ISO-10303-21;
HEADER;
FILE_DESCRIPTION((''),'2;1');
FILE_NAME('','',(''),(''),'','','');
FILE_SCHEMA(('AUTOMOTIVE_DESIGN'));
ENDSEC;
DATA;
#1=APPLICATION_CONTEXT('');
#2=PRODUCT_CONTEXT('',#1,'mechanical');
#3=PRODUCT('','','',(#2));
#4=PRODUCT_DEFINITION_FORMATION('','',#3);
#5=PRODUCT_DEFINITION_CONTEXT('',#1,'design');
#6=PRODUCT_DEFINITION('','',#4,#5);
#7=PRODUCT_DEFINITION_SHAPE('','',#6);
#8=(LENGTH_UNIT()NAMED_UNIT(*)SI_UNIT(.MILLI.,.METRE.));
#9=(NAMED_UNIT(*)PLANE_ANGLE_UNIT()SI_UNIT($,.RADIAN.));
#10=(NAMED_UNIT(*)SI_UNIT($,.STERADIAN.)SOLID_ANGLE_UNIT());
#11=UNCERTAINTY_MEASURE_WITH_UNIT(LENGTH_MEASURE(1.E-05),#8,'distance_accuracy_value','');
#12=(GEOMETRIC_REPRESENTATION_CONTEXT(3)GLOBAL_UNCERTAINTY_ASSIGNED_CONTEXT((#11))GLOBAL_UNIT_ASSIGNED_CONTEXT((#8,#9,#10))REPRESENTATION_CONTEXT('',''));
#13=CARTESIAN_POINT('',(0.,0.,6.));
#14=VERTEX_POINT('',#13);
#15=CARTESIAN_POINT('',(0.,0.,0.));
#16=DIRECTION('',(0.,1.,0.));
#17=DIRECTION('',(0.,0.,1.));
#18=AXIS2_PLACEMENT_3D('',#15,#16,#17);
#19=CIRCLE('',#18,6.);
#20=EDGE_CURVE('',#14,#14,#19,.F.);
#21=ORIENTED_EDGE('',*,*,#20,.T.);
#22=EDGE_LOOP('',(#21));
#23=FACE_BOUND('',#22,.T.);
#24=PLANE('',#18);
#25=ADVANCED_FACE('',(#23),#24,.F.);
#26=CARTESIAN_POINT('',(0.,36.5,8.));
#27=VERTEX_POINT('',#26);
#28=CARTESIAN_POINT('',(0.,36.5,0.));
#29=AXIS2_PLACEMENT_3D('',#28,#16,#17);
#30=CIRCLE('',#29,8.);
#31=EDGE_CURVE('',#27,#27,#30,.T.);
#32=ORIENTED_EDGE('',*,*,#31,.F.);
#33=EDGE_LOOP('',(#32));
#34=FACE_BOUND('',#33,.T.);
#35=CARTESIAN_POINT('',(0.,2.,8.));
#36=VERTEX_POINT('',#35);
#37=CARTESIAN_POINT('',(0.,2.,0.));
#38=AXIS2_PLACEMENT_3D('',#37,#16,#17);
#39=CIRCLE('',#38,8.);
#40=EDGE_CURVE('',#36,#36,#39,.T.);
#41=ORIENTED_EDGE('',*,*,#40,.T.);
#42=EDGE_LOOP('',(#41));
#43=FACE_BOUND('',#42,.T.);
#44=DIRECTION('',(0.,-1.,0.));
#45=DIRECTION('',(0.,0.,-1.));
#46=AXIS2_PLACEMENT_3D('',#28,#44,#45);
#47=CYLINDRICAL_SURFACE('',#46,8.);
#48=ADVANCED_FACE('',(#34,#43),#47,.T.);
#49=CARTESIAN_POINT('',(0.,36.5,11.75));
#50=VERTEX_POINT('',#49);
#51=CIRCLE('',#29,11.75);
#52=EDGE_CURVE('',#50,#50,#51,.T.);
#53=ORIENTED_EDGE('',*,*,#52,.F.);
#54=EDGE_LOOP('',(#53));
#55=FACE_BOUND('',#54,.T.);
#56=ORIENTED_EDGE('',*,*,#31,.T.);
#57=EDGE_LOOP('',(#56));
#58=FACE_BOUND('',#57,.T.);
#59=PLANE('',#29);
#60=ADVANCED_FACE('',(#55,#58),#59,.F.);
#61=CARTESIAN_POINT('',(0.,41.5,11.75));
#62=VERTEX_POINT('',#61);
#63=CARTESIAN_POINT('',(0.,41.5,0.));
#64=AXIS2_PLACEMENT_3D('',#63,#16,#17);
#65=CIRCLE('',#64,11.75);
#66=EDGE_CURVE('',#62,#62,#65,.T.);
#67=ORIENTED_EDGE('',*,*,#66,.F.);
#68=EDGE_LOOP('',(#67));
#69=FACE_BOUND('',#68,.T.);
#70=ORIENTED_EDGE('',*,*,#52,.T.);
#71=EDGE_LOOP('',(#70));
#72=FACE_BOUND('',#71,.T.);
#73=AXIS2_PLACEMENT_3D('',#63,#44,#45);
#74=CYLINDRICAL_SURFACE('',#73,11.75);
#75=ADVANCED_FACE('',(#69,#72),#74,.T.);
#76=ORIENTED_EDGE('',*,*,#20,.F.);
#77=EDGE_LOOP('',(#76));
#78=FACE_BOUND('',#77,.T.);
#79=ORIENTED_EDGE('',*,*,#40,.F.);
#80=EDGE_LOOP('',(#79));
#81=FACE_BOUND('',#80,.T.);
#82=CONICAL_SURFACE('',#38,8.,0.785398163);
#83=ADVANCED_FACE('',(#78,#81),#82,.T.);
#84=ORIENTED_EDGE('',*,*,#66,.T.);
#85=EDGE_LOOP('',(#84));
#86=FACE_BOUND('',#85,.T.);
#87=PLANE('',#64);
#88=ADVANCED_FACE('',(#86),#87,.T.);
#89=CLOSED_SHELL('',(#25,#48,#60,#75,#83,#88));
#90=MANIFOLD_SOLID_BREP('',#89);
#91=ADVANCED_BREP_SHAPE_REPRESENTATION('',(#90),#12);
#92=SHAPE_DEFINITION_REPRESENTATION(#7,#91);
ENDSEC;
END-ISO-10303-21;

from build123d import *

# Parameters (mm, degrees)
SKETCH1_R           = 8
BOSS_EXTRUDE1_DEPTH = 36.5
CHAMFER1_SIZE       = 2
SKETCH2_R           = 11.75
BOSS_EXTRUDE2_DEPTH = 5


with BuildPart() as part:
    # Sketch1 → Boss-Extrude1 (new body)
    with BuildSketch(Plane(origin=(0, 0, 0), x_dir=(1, 0, 0), z_dir=(0, 1, 0))):
        Circle(SKETCH1_R)
    extrude(amount=BOSS_EXTRUDE1_DEPTH)

    # Chamfer1
    chamfer1_edges = [part.edges().sort_by_distance(p)[0] for p in [
        (-8, 0, 0),
    ]]
    chamfer(chamfer1_edges, length=CHAMFER1_SIZE)

    # Sketch2 → Boss-Extrude2 (add)
    with BuildSketch(Plane(origin=(0, 36.5, 0), x_dir=(1, 0, 0), z_dir=(0, 1, 0))):
        Circle(SKETCH2_R)
    extrude(amount=BOSS_EXTRUDE2_DEPTH)


solid = part.part
